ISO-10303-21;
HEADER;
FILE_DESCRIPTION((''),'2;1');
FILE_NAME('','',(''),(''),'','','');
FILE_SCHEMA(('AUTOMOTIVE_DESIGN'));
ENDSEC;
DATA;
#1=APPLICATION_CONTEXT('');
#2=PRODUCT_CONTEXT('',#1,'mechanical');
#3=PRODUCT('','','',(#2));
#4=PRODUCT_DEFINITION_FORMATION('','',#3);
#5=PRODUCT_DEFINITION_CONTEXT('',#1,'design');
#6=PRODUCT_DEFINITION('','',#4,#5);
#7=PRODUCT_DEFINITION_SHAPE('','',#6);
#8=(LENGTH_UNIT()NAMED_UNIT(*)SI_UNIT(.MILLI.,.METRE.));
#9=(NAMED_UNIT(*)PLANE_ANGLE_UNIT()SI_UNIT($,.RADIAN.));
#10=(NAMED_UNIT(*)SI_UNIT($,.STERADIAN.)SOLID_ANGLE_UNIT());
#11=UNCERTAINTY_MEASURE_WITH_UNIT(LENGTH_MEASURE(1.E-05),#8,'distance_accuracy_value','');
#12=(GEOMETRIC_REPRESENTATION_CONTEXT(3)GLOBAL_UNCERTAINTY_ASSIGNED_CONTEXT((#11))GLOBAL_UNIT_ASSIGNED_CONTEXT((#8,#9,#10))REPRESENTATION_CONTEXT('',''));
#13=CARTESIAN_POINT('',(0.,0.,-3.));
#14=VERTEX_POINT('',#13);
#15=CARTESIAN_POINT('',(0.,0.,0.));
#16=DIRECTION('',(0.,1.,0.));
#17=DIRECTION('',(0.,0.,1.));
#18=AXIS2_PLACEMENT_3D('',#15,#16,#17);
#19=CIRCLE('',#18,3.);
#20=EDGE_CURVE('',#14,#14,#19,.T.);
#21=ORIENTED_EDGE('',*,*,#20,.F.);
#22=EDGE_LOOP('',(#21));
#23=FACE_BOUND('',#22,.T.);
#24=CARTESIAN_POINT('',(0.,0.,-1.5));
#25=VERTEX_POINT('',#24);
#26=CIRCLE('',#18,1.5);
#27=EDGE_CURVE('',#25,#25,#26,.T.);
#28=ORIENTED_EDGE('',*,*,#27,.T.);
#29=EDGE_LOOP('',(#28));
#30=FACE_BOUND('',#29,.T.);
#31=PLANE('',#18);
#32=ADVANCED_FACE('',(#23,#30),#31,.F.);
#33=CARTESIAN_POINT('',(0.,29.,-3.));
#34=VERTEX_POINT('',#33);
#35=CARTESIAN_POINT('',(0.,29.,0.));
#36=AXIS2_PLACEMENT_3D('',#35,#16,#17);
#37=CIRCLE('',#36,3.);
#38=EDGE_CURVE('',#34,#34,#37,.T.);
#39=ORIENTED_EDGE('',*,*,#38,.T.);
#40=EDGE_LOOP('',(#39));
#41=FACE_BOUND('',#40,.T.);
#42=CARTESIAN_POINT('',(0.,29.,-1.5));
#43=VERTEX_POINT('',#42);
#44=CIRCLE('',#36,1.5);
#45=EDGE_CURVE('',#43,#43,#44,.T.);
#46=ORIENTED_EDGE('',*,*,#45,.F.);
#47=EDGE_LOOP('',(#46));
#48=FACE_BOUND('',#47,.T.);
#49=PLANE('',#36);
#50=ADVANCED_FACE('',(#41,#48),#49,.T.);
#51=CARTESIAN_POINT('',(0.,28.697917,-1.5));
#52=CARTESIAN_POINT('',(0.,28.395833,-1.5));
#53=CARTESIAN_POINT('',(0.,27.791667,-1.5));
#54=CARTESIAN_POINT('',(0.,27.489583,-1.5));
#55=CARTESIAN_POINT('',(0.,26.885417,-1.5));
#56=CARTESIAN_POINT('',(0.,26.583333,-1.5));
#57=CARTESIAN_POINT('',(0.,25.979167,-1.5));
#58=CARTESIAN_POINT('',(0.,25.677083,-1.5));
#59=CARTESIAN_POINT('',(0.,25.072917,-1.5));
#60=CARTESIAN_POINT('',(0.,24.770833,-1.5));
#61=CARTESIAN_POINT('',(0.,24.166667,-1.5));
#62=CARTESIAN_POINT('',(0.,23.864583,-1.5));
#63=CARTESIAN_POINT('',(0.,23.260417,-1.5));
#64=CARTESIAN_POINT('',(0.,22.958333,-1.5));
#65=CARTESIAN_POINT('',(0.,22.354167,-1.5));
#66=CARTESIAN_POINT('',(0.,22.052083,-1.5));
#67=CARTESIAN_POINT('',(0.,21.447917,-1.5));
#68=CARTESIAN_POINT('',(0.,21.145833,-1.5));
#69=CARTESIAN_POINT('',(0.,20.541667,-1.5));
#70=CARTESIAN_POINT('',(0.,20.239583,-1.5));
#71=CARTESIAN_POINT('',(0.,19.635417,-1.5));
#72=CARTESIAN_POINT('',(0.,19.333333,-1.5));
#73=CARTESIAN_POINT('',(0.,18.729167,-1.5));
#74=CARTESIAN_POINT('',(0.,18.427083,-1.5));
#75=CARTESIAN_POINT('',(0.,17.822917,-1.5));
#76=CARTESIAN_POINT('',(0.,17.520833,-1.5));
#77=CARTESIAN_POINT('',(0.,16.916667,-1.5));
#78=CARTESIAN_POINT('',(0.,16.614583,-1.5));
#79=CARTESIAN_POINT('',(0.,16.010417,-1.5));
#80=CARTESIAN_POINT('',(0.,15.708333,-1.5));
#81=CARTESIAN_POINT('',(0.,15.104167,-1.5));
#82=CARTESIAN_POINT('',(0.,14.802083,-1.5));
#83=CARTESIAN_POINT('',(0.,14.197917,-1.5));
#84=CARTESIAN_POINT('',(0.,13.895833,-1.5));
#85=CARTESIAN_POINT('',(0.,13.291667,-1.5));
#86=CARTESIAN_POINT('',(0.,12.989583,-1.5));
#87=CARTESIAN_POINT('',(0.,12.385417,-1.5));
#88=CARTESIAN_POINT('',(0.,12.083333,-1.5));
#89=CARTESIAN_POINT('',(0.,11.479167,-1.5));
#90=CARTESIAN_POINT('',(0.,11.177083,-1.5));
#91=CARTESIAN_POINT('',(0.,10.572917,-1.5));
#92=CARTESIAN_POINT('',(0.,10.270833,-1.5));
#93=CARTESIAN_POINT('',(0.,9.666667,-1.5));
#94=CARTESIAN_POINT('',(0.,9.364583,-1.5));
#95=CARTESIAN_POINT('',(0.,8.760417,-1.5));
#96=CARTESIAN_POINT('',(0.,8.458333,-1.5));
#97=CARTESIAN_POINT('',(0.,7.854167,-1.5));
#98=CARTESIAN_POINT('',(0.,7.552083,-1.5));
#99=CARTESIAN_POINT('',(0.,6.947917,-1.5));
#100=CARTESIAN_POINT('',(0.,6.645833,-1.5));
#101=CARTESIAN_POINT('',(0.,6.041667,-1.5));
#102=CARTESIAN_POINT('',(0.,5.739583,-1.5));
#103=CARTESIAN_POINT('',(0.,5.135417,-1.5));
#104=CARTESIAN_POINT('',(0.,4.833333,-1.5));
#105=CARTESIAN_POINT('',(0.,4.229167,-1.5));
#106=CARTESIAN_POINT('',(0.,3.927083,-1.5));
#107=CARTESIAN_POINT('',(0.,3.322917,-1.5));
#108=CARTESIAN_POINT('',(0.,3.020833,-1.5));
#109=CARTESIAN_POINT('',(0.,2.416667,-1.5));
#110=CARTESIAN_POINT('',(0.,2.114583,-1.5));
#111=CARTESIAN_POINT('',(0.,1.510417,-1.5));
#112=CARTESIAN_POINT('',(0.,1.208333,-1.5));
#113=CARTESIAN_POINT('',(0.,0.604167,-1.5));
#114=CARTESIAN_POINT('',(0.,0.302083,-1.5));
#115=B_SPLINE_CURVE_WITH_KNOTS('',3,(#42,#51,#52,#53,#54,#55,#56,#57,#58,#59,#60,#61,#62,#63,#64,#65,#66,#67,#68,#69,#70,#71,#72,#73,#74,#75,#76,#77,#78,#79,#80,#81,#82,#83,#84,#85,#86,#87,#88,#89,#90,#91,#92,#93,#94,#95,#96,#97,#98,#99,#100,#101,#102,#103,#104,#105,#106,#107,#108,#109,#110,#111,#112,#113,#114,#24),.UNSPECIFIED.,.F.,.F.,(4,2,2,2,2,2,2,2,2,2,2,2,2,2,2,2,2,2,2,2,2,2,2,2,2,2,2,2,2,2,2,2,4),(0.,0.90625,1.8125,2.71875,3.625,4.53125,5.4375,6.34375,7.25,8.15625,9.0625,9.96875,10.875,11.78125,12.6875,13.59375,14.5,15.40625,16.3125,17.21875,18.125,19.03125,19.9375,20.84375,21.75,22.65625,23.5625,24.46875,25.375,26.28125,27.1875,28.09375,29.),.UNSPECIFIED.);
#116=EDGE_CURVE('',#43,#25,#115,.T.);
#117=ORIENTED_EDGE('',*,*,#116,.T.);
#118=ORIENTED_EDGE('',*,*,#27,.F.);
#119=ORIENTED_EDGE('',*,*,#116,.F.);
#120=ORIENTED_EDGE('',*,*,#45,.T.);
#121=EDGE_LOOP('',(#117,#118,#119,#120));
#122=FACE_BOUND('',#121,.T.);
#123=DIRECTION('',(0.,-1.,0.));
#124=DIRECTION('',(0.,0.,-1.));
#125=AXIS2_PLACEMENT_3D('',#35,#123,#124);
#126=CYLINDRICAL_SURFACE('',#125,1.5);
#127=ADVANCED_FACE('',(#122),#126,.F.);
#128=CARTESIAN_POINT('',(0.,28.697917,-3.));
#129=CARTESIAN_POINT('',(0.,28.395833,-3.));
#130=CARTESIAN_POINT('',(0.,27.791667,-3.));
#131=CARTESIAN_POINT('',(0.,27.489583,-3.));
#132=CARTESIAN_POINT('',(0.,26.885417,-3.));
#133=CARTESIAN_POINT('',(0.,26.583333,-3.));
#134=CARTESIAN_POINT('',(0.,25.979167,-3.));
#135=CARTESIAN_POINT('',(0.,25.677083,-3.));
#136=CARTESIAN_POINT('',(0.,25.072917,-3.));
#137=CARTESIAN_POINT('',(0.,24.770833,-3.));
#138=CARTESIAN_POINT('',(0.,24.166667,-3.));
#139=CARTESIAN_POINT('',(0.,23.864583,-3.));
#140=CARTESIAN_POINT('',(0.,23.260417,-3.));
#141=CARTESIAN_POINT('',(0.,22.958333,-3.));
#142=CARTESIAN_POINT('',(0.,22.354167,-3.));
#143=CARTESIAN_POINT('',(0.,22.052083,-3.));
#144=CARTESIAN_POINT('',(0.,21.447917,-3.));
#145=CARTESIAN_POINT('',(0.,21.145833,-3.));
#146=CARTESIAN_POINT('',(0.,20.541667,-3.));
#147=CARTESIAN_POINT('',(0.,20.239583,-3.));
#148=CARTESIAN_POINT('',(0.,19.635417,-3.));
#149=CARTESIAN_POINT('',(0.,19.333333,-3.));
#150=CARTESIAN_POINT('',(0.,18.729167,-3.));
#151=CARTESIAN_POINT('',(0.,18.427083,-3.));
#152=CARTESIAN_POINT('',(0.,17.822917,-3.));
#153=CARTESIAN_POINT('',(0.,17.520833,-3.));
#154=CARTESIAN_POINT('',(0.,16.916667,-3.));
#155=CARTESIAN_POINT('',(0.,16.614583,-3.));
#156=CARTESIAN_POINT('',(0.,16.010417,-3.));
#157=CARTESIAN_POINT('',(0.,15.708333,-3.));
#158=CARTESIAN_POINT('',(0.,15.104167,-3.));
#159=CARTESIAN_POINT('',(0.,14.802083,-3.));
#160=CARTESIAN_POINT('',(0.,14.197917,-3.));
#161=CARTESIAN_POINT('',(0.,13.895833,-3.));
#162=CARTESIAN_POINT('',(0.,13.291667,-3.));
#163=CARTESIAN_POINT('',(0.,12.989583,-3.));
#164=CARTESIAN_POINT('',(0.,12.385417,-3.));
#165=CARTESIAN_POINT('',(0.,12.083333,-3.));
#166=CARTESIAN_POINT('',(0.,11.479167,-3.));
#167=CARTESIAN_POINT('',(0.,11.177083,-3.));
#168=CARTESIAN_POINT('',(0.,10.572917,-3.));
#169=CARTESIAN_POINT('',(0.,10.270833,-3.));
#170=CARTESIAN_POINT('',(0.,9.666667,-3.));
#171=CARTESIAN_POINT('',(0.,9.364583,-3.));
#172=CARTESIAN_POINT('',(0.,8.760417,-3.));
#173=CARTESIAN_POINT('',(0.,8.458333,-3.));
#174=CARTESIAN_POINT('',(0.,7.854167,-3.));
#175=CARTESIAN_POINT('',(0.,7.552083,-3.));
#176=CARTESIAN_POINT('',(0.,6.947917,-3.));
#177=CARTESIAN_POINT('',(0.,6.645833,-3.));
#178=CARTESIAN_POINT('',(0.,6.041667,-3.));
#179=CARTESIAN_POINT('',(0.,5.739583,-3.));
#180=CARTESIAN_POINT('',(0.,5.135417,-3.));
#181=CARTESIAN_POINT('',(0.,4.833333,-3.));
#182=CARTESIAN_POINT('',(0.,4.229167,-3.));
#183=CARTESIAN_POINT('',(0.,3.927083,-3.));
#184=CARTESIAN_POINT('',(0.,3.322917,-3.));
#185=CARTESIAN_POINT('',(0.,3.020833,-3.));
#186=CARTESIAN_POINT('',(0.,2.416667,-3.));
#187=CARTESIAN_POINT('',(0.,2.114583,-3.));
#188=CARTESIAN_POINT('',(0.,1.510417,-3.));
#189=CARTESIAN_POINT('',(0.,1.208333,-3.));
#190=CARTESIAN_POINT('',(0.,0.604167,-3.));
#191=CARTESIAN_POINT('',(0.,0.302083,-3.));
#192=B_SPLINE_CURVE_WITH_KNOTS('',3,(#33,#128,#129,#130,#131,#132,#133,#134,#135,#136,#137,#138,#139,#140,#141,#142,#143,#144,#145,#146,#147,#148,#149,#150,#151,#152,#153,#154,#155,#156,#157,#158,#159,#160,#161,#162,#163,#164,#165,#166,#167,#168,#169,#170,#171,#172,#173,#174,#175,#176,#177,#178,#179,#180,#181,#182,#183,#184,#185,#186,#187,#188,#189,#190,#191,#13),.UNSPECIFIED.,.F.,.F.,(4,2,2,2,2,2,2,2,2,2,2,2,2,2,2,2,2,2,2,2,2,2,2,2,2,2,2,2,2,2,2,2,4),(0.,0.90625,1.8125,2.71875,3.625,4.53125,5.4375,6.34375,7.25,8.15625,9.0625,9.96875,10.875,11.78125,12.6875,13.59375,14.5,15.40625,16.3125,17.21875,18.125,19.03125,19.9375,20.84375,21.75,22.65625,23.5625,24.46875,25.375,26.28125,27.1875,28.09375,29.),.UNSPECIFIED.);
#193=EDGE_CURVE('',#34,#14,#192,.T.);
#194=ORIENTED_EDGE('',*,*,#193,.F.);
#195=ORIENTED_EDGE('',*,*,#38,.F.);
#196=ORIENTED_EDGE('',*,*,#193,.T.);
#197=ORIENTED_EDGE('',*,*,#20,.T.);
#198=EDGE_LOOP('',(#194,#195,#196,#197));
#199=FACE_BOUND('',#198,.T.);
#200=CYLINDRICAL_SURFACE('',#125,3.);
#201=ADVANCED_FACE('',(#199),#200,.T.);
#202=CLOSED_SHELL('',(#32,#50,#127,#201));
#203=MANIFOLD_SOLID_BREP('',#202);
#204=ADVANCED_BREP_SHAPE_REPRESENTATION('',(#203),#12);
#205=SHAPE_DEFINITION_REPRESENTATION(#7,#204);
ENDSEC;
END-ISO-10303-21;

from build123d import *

# Parameters (mm, degrees)
SKETCH1_R      = 3
SKETCH1_R_2    = 1.5
STANDOFF_DEPTH = 29


with BuildPart() as part:
    # Sketch1 → standoff (new body)
    with BuildSketch(Plane(origin=(0, 0, 0), x_dir=(1, 0, 0), z_dir=(0, 1, 0))):
        with Locations(Location((0, 0, 0), (0, 0, 90))):
            Circle(SKETCH1_R)
        with Locations(Location((0, 0, 0), (0, 0, 90))):
            Circle(SKETCH1_R_2, mode=Mode.SUBTRACT)
    extrude(amount=STANDOFF_DEPTH)


solid = part.part
